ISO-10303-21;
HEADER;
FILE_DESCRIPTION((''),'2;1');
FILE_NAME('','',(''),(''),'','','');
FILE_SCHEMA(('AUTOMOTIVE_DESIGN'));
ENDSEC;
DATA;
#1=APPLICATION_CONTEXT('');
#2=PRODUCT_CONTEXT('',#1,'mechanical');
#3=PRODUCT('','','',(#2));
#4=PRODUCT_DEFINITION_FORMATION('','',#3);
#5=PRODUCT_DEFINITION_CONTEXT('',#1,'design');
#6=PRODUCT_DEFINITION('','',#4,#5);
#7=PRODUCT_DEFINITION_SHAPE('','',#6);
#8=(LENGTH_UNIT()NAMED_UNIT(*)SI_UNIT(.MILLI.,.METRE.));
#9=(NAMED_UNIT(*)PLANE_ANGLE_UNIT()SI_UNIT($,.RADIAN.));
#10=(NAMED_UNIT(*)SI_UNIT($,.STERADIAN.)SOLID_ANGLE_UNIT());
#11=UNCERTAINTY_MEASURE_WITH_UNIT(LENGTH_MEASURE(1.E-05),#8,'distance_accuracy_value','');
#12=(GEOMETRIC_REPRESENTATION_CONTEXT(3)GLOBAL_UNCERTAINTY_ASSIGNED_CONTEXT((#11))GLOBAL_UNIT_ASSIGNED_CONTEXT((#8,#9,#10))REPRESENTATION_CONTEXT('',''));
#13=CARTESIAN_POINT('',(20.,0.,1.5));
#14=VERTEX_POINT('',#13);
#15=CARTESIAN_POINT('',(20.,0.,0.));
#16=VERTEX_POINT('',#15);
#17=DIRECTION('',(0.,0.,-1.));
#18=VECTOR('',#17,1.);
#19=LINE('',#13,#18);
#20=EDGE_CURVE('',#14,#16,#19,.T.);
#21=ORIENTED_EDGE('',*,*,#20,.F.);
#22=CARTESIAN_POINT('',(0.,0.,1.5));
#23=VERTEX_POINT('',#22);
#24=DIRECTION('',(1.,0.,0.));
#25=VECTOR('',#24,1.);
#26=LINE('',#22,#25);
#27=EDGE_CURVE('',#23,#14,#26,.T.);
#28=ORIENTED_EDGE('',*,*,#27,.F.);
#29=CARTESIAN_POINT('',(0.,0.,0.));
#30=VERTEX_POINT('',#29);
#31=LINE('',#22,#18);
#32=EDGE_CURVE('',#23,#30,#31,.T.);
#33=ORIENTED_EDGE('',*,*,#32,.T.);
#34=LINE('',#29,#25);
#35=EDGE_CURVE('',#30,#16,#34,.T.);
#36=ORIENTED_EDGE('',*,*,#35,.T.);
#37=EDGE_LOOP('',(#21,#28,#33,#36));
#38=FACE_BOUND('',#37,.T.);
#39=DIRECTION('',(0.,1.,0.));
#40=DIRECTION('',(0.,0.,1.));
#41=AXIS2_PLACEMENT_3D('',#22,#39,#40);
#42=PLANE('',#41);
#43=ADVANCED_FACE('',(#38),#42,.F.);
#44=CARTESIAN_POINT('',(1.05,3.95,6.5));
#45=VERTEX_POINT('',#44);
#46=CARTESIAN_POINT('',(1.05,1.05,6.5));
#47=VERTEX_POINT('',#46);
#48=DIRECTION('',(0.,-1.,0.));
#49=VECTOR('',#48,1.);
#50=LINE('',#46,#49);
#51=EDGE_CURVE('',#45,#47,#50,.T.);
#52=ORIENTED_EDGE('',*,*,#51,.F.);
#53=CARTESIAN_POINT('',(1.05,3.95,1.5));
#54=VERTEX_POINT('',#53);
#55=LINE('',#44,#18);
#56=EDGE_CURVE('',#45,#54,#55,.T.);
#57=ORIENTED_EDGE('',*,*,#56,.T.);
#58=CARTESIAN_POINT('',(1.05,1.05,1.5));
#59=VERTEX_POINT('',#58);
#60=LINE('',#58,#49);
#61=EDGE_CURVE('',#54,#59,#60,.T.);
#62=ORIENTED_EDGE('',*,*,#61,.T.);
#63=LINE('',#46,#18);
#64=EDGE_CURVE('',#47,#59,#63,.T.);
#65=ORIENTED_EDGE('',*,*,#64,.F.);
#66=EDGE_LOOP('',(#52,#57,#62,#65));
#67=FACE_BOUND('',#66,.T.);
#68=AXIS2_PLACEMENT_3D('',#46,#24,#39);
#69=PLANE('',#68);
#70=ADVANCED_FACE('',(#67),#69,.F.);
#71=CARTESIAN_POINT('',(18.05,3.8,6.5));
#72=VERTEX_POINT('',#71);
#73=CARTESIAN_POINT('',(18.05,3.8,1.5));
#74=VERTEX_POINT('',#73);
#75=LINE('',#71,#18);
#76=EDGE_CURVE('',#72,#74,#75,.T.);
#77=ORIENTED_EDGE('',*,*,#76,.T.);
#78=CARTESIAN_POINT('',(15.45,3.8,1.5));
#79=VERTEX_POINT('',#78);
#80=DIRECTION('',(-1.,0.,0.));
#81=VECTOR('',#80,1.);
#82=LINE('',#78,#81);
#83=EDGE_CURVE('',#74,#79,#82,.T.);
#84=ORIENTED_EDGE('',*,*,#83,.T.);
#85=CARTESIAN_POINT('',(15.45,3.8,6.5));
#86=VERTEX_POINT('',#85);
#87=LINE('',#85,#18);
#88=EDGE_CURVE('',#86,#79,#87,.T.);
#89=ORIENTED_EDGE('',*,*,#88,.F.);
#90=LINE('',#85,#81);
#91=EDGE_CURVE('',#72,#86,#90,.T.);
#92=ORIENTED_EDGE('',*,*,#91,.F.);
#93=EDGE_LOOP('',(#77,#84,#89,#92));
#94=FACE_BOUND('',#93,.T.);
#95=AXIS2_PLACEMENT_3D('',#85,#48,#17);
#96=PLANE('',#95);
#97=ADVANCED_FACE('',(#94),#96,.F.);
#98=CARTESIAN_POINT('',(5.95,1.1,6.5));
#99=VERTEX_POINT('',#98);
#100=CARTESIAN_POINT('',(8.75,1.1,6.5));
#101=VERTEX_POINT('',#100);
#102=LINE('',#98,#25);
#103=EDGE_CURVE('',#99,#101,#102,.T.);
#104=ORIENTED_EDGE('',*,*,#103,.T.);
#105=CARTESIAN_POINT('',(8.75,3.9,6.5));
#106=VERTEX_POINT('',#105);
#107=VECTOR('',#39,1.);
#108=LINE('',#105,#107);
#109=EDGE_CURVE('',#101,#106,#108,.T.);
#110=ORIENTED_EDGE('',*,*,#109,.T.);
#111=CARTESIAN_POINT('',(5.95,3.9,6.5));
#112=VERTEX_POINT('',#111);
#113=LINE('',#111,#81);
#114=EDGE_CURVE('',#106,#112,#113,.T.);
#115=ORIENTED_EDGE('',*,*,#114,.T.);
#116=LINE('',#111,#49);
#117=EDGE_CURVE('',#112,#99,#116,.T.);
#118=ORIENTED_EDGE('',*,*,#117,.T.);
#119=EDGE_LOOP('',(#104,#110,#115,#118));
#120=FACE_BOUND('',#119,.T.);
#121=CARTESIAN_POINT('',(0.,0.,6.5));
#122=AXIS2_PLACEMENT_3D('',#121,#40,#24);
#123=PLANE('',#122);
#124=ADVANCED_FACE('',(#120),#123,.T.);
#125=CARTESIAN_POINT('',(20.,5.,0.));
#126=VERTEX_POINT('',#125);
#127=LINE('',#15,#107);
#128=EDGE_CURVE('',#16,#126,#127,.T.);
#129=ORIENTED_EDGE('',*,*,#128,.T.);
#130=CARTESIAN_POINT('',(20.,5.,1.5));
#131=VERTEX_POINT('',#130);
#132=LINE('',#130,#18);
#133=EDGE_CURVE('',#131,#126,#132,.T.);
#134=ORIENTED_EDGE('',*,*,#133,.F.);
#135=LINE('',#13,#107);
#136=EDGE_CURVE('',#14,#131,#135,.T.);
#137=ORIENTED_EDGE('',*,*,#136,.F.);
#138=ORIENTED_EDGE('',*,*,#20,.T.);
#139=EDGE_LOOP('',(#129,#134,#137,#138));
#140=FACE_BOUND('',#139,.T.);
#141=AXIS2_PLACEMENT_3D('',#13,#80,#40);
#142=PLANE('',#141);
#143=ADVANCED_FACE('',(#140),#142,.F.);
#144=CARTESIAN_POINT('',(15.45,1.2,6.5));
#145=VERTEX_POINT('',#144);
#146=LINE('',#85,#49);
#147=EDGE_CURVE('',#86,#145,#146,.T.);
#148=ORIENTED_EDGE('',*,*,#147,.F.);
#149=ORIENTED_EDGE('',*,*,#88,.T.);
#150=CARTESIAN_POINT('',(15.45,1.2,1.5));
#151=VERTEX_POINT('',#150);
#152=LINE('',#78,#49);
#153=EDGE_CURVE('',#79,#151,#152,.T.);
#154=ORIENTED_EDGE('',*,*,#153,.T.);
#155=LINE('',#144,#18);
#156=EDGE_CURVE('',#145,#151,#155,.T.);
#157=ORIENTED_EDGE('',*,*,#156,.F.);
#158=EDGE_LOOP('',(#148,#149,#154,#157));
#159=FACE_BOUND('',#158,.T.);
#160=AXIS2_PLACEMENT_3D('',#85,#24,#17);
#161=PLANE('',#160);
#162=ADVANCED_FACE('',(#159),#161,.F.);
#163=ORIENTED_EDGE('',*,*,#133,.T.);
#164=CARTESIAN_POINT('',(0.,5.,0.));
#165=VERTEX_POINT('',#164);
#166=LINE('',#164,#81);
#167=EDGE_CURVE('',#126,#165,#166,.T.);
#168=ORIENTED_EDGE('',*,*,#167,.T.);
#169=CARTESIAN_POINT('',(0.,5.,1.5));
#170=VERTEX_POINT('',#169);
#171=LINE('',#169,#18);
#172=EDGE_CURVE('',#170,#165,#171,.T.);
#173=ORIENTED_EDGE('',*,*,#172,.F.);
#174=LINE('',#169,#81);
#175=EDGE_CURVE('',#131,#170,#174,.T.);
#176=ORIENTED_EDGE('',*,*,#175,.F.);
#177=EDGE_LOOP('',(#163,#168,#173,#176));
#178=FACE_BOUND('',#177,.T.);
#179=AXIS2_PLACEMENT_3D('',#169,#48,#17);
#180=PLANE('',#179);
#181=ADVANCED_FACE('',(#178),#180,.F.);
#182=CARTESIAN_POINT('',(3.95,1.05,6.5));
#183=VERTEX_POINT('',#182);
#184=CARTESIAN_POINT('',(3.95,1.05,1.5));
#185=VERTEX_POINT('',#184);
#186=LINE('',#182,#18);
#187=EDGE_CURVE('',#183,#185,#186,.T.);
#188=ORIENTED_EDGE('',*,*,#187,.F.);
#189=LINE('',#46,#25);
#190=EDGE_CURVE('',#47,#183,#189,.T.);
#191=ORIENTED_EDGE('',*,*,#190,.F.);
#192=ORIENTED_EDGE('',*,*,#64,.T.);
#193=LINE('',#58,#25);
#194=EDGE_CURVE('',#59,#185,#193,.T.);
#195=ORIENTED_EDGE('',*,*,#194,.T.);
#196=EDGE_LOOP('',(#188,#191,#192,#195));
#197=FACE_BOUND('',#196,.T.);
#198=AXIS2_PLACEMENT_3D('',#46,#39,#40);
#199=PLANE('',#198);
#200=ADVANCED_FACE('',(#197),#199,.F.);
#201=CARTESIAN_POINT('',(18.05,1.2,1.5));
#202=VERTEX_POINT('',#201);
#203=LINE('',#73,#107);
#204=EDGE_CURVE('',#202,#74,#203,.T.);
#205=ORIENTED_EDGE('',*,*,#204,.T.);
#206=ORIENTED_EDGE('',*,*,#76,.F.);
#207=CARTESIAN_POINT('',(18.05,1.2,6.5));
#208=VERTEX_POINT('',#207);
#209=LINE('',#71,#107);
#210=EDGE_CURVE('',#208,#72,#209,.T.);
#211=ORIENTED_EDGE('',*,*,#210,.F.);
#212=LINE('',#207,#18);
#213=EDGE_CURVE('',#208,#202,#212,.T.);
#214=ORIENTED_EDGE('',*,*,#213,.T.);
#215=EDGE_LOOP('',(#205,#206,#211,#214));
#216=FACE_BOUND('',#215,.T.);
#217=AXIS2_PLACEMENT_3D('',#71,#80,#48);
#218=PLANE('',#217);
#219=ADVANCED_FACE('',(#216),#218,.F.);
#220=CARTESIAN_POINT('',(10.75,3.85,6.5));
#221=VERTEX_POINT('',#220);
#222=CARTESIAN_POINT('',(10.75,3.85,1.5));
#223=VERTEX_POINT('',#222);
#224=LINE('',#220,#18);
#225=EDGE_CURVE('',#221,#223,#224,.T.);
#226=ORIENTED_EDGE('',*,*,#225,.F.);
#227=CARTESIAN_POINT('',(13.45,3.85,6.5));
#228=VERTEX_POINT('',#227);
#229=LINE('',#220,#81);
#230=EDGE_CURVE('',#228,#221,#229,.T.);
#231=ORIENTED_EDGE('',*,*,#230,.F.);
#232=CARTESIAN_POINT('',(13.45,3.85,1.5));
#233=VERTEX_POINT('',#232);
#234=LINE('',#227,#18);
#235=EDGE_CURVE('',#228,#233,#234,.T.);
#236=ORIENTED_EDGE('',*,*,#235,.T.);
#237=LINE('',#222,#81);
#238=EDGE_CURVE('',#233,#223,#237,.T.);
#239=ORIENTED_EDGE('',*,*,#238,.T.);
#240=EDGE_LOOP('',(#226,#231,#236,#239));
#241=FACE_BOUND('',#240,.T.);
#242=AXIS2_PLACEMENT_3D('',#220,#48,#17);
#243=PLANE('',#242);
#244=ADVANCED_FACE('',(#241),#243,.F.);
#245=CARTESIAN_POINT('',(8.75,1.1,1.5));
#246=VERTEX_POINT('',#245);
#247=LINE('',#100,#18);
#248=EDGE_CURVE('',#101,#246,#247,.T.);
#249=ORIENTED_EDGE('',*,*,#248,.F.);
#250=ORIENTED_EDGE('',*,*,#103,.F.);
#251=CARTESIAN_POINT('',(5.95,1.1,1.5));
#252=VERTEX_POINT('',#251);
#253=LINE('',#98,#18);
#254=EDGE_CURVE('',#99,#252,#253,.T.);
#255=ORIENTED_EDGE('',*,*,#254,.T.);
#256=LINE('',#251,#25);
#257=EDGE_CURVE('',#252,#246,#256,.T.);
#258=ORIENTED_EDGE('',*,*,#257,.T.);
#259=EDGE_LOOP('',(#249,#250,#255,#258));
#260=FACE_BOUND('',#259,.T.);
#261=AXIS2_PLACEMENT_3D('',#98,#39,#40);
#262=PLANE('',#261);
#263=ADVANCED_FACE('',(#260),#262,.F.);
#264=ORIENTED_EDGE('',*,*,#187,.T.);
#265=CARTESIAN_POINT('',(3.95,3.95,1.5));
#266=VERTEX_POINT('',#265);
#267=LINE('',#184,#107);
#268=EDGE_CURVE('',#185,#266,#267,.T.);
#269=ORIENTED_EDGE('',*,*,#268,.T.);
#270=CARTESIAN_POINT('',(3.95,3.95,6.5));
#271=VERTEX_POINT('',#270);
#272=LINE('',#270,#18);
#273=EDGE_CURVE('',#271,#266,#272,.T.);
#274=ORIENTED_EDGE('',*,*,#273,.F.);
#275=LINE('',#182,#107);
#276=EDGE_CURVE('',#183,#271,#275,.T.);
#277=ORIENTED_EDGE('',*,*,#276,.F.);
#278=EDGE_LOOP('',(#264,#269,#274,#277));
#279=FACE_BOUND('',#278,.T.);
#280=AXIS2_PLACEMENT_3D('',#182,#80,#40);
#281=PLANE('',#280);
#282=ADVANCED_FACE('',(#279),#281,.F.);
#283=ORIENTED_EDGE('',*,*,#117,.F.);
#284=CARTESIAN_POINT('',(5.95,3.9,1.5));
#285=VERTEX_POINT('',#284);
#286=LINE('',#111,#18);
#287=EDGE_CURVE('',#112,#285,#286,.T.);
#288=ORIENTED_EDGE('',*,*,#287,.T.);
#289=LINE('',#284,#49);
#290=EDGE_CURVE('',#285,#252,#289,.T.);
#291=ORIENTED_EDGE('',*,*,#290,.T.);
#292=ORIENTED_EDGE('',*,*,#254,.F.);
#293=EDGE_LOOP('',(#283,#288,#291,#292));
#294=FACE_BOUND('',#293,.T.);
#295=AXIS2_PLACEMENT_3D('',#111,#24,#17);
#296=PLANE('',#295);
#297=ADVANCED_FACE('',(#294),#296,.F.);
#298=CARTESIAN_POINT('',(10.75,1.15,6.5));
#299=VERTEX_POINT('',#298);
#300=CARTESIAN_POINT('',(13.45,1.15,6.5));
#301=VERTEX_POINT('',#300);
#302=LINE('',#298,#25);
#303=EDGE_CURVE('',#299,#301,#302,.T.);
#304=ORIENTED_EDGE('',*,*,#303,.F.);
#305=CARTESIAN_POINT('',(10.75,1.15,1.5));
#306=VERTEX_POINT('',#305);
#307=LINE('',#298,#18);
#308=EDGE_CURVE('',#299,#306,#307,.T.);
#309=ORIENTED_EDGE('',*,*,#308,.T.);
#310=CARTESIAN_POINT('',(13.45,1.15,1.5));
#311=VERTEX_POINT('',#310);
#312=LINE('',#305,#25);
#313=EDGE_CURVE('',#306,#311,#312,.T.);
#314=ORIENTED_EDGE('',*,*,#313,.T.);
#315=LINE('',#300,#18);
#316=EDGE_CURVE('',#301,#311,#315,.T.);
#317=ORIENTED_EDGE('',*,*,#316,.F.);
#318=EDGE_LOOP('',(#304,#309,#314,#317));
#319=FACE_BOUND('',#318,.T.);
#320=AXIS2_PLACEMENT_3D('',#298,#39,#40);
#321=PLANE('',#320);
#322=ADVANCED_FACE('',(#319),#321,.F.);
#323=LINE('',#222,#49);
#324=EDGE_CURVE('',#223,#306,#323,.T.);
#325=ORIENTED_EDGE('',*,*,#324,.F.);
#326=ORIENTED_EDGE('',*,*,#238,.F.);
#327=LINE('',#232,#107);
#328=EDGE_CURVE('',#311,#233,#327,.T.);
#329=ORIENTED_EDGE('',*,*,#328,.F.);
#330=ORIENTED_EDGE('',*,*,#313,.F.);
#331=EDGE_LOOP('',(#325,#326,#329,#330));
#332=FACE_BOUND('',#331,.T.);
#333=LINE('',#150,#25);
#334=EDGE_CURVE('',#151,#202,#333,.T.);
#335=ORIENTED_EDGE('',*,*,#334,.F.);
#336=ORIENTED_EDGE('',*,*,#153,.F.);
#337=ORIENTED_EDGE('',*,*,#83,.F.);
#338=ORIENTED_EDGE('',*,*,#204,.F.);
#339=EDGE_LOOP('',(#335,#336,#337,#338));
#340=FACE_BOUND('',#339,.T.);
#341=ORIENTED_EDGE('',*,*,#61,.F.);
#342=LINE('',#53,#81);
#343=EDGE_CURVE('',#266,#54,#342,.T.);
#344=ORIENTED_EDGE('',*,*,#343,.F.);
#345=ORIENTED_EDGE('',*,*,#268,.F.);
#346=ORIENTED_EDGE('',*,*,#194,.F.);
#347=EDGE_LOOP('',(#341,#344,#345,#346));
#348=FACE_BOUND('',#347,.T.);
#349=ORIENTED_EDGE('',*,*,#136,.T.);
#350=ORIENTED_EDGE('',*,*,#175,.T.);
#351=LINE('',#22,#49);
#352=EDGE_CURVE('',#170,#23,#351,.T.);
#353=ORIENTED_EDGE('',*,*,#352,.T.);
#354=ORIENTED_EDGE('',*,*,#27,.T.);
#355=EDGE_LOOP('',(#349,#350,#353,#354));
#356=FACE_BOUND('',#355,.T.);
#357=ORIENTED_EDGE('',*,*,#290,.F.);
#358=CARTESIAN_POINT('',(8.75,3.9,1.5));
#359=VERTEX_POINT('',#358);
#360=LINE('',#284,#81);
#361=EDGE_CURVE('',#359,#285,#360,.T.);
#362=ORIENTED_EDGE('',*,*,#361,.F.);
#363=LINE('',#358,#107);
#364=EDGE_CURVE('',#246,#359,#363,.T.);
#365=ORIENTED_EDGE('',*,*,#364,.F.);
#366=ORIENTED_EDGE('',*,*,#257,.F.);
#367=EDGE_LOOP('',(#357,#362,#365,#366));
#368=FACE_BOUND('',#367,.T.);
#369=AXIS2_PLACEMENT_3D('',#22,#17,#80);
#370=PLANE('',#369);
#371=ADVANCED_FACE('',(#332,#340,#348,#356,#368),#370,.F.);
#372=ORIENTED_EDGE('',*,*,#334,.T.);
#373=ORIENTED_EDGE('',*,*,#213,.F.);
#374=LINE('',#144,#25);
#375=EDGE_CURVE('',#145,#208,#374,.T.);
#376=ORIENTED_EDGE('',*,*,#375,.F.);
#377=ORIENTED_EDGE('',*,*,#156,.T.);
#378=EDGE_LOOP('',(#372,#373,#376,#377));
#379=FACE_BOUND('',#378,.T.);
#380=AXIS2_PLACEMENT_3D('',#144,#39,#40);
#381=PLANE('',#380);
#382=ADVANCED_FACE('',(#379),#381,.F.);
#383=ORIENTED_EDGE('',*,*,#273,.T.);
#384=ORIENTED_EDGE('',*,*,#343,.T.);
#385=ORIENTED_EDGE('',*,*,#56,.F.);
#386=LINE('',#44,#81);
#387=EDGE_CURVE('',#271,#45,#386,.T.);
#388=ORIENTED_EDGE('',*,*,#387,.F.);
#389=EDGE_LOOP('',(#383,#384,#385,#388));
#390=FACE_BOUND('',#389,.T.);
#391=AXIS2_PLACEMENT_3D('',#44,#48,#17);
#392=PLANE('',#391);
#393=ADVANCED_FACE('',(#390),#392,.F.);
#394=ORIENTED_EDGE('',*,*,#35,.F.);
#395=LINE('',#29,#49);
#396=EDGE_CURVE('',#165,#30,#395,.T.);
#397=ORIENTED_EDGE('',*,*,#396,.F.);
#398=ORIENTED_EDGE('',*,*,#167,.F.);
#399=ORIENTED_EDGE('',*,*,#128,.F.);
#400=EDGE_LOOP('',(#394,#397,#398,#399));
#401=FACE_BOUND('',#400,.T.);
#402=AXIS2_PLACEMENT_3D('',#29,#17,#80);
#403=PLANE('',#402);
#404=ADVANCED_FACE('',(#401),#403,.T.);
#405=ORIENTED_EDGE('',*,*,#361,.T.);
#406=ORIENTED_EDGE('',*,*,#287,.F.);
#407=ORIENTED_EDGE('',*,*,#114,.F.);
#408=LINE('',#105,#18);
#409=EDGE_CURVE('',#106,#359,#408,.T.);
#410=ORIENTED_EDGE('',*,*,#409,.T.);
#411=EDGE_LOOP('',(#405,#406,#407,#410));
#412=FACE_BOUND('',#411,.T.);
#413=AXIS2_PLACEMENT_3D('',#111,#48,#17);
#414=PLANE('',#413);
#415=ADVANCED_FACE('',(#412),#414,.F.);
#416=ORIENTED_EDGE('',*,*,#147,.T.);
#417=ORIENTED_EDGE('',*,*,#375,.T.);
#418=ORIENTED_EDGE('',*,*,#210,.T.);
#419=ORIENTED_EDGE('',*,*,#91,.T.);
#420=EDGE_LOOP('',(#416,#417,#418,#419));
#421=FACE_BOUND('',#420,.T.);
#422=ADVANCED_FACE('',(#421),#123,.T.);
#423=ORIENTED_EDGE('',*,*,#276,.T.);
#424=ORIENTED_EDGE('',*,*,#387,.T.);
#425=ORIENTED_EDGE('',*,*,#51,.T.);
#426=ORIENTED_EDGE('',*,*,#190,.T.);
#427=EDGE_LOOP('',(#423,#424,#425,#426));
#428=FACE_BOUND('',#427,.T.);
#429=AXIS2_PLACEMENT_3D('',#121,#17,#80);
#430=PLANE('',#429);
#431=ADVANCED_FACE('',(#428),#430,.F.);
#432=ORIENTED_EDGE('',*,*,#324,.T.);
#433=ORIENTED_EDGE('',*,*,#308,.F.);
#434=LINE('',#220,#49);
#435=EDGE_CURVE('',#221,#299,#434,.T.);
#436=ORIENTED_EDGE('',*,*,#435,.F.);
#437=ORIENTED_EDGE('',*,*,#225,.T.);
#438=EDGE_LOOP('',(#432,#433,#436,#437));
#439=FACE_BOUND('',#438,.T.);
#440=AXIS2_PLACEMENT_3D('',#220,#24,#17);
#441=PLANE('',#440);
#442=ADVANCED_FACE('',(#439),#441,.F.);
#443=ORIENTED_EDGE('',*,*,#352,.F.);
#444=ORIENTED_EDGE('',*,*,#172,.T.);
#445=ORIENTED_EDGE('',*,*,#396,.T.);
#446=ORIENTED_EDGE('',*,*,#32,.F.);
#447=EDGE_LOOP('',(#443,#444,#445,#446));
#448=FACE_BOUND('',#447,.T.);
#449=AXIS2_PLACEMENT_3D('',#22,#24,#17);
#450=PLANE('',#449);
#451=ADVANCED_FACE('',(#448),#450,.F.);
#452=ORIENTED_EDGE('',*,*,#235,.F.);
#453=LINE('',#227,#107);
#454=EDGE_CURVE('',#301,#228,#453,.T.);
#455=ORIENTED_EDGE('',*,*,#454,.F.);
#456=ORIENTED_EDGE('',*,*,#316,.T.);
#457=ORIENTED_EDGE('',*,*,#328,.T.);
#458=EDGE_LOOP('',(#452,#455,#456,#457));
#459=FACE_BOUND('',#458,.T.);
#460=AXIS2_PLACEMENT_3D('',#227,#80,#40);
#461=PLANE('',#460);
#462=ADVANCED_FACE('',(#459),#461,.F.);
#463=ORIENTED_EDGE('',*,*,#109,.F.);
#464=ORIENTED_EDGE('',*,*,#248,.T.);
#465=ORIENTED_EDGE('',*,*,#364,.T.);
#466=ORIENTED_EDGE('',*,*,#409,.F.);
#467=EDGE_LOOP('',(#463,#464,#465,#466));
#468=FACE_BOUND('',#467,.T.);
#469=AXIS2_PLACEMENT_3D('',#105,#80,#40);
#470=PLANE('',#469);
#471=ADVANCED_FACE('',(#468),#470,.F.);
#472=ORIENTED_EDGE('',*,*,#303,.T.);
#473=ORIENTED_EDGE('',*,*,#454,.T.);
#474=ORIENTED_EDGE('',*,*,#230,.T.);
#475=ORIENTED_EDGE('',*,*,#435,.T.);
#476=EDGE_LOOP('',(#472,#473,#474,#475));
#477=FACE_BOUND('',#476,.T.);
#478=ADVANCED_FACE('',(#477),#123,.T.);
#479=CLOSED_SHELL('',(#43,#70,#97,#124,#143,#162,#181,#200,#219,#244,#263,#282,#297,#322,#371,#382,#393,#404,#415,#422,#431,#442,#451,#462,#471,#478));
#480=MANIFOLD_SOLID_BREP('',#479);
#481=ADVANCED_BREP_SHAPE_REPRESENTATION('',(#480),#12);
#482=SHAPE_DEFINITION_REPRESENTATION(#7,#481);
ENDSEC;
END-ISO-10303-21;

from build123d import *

# Parameters (mm, degrees)
SKETCH1_W           = 20
SKETCH1_H           = 5
BOSS_EXTRUDE1_DEPTH = 1.5
SKETCH2_W           = 2.9
SKETCH2_H           = 2.9
SKETCH2_W_2         = 2.8
SKETCH2_H_2         = 2.8
SKETCH2_W_3         = 2.7
SKETCH2_H_3         = 2.7
SKETCH2_W_4         = 2.6
SKETCH2_H_4         = 2.6
BOSS_EXTRUDE2_DEPTH = 5


with BuildPart() as part:
    # Sketch1 → Boss-Extrude1 (new body)
    with BuildSketch(Plane.XY):
        with Locations((10, 2.5)):
            Rectangle(SKETCH1_W, SKETCH1_H)
    extrude(amount=BOSS_EXTRUDE1_DEPTH)

    # Sketch2 → Boss-Extrude2 (add)
    with BuildSketch(Plane.XY.offset(1.5)):
        with Locations((2.5, 2.5)):
            Rectangle(SKETCH2_W, SKETCH2_H)
        with Locations((7.35, 2.5)):
            Rectangle(SKETCH2_W_2, SKETCH2_H_2)
        with Locations((12.1, 2.5)):
            Rectangle(SKETCH2_W_3, SKETCH2_H_3)
        with Locations((16.75, 2.5)):
            Rectangle(SKETCH2_W_4, SKETCH2_H_4)
    extrude(amount=BOSS_EXTRUDE2_DEPTH)


solid = part.part
